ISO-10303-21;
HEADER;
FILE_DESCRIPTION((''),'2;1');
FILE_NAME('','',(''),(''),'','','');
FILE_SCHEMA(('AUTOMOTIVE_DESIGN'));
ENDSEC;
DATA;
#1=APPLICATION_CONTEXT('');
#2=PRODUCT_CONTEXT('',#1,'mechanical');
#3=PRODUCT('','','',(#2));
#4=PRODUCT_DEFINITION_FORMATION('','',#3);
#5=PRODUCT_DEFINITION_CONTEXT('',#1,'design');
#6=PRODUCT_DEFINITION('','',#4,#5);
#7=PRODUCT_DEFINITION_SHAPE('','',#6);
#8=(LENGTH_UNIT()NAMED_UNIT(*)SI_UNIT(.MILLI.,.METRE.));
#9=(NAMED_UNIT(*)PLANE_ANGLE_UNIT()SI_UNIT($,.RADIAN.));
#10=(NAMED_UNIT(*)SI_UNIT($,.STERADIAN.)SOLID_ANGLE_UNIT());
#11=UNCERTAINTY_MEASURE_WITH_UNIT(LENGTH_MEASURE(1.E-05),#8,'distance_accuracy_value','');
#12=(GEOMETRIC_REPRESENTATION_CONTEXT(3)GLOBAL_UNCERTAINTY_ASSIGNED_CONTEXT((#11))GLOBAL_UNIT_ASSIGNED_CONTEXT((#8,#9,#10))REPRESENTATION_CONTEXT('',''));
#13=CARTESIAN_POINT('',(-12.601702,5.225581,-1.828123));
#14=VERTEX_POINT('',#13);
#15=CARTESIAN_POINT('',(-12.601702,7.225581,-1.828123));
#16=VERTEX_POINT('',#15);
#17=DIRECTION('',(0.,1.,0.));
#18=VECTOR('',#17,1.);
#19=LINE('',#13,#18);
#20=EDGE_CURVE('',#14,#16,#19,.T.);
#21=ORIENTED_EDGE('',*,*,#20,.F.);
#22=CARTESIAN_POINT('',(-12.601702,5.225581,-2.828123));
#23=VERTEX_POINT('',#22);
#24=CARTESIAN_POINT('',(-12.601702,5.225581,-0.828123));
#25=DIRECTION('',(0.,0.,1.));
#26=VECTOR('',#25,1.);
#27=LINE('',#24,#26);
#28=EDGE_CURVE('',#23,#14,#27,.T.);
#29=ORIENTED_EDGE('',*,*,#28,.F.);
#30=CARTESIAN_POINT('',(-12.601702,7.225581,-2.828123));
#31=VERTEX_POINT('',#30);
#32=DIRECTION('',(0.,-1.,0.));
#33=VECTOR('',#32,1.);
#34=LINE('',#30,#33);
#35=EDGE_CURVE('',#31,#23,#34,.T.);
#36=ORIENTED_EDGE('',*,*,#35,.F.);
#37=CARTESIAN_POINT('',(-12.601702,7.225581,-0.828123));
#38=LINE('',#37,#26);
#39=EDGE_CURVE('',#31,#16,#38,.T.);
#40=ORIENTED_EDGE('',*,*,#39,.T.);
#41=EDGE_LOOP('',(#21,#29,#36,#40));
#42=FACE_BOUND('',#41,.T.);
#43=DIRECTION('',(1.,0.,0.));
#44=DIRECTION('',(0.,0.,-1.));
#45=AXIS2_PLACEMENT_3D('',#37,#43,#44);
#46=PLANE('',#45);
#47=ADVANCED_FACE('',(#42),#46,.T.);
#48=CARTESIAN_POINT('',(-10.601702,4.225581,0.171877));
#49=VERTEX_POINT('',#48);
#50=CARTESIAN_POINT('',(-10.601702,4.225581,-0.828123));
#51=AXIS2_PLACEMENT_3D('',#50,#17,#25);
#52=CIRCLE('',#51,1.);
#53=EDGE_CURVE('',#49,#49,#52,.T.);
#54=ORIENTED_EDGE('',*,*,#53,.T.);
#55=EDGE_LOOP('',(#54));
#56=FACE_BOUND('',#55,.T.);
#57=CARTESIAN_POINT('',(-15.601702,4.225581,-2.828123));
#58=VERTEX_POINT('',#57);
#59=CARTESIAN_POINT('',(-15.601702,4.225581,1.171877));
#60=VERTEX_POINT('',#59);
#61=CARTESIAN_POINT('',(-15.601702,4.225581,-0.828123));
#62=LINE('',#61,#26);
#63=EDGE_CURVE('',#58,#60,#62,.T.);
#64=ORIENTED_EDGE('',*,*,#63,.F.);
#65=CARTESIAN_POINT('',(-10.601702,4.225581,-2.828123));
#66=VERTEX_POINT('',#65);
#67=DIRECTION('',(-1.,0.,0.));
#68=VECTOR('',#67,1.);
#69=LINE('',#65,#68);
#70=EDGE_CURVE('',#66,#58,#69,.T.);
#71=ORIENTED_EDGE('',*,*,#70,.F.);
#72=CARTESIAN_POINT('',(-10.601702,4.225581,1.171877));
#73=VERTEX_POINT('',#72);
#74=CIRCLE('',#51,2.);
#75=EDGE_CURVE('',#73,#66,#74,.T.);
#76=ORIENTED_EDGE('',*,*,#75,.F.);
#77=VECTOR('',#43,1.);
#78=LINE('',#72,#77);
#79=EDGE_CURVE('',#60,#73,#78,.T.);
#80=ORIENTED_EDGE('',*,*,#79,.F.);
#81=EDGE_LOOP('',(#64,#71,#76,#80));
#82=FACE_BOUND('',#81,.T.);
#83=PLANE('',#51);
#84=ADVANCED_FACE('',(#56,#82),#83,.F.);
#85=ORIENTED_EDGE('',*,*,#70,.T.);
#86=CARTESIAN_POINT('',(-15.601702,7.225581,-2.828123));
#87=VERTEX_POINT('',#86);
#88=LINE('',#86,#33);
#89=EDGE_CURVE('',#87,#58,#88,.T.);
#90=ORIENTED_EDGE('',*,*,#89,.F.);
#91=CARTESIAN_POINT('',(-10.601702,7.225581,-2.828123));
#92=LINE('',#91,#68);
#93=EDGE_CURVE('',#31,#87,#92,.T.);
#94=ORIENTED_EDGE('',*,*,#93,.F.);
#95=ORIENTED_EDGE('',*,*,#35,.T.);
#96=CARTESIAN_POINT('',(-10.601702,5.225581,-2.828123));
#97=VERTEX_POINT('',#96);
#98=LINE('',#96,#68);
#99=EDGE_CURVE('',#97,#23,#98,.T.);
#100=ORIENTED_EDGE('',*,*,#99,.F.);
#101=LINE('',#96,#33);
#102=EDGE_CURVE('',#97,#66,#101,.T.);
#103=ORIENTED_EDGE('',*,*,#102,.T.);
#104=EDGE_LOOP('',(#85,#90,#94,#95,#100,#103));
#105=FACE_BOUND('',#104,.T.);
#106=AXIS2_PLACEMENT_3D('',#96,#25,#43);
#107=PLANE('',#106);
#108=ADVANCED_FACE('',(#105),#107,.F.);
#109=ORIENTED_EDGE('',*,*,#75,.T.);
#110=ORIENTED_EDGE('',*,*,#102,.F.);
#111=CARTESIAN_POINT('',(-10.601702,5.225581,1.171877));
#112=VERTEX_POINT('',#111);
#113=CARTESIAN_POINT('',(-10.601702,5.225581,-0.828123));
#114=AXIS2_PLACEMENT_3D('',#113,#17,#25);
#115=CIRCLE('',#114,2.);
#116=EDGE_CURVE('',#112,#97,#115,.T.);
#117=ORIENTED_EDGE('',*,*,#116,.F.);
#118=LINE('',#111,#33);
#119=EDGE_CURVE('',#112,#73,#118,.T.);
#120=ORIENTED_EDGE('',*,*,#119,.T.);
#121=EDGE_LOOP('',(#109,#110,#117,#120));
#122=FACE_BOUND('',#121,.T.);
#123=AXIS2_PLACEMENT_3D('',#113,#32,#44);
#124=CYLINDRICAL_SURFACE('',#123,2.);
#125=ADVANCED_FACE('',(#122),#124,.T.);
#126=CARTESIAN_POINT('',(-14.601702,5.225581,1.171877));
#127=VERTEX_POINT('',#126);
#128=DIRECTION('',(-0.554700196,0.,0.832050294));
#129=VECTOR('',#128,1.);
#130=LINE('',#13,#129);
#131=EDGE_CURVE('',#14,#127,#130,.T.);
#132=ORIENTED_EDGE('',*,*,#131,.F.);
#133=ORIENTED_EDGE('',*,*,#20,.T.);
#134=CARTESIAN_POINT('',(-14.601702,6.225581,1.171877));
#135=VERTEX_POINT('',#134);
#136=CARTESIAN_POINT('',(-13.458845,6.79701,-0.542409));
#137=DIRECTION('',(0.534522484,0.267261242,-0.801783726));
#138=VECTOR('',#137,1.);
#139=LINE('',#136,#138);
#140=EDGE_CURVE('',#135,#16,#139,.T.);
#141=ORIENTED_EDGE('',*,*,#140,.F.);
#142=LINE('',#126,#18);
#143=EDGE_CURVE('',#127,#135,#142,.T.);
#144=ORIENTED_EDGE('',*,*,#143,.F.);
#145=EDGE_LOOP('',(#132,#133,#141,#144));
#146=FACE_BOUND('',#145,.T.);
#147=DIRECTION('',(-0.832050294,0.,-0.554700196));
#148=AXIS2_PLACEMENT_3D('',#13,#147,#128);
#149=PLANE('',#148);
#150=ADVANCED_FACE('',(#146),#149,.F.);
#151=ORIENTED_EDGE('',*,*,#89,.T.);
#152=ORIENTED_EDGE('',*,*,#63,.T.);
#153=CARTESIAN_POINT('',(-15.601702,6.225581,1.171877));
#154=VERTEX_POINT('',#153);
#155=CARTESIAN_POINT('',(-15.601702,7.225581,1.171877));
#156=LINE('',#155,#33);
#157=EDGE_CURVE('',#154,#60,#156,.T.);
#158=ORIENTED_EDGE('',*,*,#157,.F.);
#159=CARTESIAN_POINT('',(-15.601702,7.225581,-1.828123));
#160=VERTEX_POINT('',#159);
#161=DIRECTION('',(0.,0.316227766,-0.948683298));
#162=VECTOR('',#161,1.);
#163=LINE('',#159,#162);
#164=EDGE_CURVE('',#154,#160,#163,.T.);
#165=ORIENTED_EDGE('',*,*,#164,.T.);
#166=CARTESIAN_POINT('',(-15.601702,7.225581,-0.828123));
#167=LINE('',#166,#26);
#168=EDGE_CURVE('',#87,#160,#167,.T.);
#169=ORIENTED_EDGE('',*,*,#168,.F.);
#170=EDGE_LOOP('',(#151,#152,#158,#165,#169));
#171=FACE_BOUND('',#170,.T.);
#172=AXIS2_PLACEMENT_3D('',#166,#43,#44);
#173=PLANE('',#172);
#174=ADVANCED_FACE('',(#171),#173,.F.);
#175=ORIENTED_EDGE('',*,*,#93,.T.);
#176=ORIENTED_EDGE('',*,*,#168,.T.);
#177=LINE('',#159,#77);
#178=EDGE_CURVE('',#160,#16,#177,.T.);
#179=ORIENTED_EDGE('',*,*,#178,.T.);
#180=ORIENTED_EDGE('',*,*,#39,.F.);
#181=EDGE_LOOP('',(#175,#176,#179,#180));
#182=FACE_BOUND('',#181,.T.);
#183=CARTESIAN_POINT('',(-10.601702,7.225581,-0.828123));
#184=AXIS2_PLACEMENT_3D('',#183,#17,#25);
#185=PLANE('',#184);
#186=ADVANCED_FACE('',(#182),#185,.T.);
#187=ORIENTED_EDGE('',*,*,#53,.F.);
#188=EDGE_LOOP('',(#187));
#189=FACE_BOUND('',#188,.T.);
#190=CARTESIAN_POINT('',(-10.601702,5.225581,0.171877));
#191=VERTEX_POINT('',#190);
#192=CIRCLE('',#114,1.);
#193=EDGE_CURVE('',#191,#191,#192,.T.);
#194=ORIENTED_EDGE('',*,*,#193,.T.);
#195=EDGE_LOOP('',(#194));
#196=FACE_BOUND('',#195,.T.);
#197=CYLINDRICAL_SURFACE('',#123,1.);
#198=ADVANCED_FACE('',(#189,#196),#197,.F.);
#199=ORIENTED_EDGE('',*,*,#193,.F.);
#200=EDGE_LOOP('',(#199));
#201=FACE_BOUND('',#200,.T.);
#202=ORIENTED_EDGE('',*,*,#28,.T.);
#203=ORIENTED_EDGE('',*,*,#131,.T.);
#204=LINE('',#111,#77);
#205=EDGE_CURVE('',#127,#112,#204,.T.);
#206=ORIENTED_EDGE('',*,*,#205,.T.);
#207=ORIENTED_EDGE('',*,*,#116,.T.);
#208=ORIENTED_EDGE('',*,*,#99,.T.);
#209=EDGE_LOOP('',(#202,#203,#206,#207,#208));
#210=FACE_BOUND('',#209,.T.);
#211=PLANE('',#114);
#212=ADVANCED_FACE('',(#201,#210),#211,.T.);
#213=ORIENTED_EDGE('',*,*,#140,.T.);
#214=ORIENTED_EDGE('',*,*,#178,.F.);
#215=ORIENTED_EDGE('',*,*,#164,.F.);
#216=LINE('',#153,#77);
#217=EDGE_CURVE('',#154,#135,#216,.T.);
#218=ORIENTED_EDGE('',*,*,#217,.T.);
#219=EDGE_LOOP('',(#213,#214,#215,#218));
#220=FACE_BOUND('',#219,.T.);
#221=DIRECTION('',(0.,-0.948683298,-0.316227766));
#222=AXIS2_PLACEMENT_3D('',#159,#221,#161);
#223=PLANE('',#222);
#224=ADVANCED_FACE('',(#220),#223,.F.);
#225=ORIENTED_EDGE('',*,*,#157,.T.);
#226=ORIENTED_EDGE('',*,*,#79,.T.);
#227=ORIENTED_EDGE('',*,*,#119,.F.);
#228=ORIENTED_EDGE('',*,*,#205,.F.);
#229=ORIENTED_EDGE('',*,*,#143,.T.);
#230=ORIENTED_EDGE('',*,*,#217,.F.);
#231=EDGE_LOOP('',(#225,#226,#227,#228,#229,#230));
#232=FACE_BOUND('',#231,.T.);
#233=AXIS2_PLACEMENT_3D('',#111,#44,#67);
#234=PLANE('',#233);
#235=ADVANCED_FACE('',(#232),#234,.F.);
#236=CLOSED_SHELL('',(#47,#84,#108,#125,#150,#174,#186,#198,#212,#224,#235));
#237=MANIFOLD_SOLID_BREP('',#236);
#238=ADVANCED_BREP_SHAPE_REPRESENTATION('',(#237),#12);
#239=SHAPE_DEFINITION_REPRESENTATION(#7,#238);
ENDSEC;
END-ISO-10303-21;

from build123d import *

# Parameters (mm, degrees)
SKETCH_1_R          = 5
EXTRUDE_1_DEPTH     = 5
SKETCH_1_3_W        = 15
SKETCH_1_3_H        = 20
EXTRUDE_2_DEPTH     = 15
CUT_EXTRUDE_1_DEPTH = 15
CUT_EXTRUDE_2_DEPTH = 10
SCALE_1_SCALE       = 0.2


with BuildPart() as part:
    # 草圖1 → 填料-伸長1 (new body)
    with BuildSketch(Plane(origin=(0, 0, 0), x_dir=(1, 0, 0), z_dir=(0, 1, 0))):
        with BuildLine():
            ThreePointArc((0, -10), (10, 0), (0, 10))
            Line((0, 10), (-10, 10))
            Line((-10, 10), (-10, 5))
            Line((-10, 5), (-10, -10))
            Line((-10, -10), (0, -10))
        make_face()
        Circle(SKETCH_1_R, mode=Mode.SUBTRACT)
    extrude(amount=EXTRUDE_1_DEPTH)

    # 草圖1<3> → 填料-伸長2 (add)
    with BuildSketch(Plane(origin=(0, 0, 0), x_dir=(1, 0, 0), z_dir=(0, 1, 0))):
        with Locations((-17.5, 0)):
            Rectangle(SKETCH_1_3_W, SKETCH_1_3_H)
    extrude(amount=EXTRUDE_2_DEPTH)

    # 草圖3 → 除料-伸長1 (cut)
    with BuildSketch(Plane(origin=(-10, 0, 0), x_dir=(0, 0, -1), z_dir=(1, 0, 0))):
        Polygon((5, 15), (-10, 10), (-10, 15), align=None)
    extrude(amount=-CUT_EXTRUDE_1_DEPTH, mode=Mode.SUBTRACT)

    # 草圖2 → 除料-伸長2 (cut)
    with BuildSketch(Plane(origin=(0, 15, 0), x_dir=(1, 0, 0), z_dir=(0, 1, 0))):
        Polygon((-10, 5), (-20, -10), (-10, -10), align=None)
    extrude(amount=-CUT_EXTRUDE_2_DEPTH, mode=Mode.SUBTRACT)


with BuildPart() as part_1:
    # 縮放比例1: scaled about (-13.252128035, 5.281976431, -1.035154021)
    add(part.part.scale(SCALE_1_SCALE).moved(Location((-10.601702428, 4.225581145, -0.828123217))))


solid = part_1.part
